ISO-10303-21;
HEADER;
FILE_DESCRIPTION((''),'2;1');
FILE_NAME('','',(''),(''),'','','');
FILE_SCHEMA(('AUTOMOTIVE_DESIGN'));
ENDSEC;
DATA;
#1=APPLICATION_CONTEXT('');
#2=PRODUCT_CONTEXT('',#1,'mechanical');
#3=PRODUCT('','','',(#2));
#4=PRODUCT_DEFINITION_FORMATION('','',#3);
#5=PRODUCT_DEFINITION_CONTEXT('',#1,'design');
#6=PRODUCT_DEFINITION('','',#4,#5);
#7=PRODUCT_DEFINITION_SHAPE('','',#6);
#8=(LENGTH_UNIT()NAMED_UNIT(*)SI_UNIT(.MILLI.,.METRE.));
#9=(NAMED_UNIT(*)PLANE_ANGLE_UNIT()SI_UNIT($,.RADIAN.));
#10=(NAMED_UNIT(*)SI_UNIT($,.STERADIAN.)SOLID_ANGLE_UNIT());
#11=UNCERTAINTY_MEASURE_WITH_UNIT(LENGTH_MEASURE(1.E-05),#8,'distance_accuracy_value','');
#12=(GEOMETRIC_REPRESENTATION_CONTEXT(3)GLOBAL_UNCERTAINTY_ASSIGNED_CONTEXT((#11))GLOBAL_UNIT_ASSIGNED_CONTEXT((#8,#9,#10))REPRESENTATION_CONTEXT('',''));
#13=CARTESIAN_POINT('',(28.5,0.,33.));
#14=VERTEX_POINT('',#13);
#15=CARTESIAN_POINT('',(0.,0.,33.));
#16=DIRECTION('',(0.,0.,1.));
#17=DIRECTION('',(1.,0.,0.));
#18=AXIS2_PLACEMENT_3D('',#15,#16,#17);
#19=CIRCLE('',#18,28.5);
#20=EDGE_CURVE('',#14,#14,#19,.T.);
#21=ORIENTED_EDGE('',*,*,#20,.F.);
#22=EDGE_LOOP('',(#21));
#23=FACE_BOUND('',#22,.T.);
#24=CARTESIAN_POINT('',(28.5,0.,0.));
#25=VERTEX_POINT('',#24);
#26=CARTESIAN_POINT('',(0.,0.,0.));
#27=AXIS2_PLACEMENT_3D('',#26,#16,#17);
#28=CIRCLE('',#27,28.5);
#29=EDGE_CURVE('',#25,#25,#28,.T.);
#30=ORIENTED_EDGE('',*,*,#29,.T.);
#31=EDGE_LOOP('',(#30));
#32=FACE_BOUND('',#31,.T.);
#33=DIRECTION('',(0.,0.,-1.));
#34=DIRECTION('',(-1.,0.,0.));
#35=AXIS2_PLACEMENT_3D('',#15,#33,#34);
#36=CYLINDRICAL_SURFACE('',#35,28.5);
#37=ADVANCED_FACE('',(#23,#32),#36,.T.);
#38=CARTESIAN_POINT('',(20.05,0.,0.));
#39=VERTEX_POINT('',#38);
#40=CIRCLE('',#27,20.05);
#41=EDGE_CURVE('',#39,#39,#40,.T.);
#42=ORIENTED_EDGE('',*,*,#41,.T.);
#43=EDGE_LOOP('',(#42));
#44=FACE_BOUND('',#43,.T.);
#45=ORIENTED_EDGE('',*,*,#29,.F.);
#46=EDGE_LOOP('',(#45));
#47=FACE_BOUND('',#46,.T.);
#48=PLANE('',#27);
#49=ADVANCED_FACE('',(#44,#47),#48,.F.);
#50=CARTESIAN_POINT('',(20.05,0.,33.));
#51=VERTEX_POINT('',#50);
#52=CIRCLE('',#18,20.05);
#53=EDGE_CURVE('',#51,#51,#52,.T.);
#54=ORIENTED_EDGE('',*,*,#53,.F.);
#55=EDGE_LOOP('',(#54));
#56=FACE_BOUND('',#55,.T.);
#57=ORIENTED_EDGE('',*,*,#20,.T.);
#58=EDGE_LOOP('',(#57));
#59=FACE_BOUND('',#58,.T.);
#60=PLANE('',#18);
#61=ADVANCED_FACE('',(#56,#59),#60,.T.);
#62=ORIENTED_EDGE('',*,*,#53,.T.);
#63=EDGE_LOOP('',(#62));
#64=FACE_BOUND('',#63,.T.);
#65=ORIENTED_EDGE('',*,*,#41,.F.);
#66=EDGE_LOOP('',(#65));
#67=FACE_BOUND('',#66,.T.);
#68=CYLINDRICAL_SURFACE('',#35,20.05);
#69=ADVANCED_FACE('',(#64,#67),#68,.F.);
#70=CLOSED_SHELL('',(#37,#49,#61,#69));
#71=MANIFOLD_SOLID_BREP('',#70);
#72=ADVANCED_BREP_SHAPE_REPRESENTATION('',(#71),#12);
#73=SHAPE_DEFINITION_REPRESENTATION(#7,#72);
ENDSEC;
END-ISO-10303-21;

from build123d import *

# Parameters (mm, degrees)
TREAD_ANNULUS_PROFILE_R   = 28.5
TREAD_ANNULUS_PROFILE_R_2 = 20.05
TREAD_ANNULUS_DEPTH       = 33


with BuildPart() as part:
    # Tread annulus profile → Tread annulus (new body)
    with BuildSketch(Plane.XY):
        Circle(TREAD_ANNULUS_PROFILE_R)
        Circle(TREAD_ANNULUS_PROFILE_R_2, mode=Mode.SUBTRACT)
    extrude(amount=TREAD_ANNULUS_DEPTH)


solid = part.part
